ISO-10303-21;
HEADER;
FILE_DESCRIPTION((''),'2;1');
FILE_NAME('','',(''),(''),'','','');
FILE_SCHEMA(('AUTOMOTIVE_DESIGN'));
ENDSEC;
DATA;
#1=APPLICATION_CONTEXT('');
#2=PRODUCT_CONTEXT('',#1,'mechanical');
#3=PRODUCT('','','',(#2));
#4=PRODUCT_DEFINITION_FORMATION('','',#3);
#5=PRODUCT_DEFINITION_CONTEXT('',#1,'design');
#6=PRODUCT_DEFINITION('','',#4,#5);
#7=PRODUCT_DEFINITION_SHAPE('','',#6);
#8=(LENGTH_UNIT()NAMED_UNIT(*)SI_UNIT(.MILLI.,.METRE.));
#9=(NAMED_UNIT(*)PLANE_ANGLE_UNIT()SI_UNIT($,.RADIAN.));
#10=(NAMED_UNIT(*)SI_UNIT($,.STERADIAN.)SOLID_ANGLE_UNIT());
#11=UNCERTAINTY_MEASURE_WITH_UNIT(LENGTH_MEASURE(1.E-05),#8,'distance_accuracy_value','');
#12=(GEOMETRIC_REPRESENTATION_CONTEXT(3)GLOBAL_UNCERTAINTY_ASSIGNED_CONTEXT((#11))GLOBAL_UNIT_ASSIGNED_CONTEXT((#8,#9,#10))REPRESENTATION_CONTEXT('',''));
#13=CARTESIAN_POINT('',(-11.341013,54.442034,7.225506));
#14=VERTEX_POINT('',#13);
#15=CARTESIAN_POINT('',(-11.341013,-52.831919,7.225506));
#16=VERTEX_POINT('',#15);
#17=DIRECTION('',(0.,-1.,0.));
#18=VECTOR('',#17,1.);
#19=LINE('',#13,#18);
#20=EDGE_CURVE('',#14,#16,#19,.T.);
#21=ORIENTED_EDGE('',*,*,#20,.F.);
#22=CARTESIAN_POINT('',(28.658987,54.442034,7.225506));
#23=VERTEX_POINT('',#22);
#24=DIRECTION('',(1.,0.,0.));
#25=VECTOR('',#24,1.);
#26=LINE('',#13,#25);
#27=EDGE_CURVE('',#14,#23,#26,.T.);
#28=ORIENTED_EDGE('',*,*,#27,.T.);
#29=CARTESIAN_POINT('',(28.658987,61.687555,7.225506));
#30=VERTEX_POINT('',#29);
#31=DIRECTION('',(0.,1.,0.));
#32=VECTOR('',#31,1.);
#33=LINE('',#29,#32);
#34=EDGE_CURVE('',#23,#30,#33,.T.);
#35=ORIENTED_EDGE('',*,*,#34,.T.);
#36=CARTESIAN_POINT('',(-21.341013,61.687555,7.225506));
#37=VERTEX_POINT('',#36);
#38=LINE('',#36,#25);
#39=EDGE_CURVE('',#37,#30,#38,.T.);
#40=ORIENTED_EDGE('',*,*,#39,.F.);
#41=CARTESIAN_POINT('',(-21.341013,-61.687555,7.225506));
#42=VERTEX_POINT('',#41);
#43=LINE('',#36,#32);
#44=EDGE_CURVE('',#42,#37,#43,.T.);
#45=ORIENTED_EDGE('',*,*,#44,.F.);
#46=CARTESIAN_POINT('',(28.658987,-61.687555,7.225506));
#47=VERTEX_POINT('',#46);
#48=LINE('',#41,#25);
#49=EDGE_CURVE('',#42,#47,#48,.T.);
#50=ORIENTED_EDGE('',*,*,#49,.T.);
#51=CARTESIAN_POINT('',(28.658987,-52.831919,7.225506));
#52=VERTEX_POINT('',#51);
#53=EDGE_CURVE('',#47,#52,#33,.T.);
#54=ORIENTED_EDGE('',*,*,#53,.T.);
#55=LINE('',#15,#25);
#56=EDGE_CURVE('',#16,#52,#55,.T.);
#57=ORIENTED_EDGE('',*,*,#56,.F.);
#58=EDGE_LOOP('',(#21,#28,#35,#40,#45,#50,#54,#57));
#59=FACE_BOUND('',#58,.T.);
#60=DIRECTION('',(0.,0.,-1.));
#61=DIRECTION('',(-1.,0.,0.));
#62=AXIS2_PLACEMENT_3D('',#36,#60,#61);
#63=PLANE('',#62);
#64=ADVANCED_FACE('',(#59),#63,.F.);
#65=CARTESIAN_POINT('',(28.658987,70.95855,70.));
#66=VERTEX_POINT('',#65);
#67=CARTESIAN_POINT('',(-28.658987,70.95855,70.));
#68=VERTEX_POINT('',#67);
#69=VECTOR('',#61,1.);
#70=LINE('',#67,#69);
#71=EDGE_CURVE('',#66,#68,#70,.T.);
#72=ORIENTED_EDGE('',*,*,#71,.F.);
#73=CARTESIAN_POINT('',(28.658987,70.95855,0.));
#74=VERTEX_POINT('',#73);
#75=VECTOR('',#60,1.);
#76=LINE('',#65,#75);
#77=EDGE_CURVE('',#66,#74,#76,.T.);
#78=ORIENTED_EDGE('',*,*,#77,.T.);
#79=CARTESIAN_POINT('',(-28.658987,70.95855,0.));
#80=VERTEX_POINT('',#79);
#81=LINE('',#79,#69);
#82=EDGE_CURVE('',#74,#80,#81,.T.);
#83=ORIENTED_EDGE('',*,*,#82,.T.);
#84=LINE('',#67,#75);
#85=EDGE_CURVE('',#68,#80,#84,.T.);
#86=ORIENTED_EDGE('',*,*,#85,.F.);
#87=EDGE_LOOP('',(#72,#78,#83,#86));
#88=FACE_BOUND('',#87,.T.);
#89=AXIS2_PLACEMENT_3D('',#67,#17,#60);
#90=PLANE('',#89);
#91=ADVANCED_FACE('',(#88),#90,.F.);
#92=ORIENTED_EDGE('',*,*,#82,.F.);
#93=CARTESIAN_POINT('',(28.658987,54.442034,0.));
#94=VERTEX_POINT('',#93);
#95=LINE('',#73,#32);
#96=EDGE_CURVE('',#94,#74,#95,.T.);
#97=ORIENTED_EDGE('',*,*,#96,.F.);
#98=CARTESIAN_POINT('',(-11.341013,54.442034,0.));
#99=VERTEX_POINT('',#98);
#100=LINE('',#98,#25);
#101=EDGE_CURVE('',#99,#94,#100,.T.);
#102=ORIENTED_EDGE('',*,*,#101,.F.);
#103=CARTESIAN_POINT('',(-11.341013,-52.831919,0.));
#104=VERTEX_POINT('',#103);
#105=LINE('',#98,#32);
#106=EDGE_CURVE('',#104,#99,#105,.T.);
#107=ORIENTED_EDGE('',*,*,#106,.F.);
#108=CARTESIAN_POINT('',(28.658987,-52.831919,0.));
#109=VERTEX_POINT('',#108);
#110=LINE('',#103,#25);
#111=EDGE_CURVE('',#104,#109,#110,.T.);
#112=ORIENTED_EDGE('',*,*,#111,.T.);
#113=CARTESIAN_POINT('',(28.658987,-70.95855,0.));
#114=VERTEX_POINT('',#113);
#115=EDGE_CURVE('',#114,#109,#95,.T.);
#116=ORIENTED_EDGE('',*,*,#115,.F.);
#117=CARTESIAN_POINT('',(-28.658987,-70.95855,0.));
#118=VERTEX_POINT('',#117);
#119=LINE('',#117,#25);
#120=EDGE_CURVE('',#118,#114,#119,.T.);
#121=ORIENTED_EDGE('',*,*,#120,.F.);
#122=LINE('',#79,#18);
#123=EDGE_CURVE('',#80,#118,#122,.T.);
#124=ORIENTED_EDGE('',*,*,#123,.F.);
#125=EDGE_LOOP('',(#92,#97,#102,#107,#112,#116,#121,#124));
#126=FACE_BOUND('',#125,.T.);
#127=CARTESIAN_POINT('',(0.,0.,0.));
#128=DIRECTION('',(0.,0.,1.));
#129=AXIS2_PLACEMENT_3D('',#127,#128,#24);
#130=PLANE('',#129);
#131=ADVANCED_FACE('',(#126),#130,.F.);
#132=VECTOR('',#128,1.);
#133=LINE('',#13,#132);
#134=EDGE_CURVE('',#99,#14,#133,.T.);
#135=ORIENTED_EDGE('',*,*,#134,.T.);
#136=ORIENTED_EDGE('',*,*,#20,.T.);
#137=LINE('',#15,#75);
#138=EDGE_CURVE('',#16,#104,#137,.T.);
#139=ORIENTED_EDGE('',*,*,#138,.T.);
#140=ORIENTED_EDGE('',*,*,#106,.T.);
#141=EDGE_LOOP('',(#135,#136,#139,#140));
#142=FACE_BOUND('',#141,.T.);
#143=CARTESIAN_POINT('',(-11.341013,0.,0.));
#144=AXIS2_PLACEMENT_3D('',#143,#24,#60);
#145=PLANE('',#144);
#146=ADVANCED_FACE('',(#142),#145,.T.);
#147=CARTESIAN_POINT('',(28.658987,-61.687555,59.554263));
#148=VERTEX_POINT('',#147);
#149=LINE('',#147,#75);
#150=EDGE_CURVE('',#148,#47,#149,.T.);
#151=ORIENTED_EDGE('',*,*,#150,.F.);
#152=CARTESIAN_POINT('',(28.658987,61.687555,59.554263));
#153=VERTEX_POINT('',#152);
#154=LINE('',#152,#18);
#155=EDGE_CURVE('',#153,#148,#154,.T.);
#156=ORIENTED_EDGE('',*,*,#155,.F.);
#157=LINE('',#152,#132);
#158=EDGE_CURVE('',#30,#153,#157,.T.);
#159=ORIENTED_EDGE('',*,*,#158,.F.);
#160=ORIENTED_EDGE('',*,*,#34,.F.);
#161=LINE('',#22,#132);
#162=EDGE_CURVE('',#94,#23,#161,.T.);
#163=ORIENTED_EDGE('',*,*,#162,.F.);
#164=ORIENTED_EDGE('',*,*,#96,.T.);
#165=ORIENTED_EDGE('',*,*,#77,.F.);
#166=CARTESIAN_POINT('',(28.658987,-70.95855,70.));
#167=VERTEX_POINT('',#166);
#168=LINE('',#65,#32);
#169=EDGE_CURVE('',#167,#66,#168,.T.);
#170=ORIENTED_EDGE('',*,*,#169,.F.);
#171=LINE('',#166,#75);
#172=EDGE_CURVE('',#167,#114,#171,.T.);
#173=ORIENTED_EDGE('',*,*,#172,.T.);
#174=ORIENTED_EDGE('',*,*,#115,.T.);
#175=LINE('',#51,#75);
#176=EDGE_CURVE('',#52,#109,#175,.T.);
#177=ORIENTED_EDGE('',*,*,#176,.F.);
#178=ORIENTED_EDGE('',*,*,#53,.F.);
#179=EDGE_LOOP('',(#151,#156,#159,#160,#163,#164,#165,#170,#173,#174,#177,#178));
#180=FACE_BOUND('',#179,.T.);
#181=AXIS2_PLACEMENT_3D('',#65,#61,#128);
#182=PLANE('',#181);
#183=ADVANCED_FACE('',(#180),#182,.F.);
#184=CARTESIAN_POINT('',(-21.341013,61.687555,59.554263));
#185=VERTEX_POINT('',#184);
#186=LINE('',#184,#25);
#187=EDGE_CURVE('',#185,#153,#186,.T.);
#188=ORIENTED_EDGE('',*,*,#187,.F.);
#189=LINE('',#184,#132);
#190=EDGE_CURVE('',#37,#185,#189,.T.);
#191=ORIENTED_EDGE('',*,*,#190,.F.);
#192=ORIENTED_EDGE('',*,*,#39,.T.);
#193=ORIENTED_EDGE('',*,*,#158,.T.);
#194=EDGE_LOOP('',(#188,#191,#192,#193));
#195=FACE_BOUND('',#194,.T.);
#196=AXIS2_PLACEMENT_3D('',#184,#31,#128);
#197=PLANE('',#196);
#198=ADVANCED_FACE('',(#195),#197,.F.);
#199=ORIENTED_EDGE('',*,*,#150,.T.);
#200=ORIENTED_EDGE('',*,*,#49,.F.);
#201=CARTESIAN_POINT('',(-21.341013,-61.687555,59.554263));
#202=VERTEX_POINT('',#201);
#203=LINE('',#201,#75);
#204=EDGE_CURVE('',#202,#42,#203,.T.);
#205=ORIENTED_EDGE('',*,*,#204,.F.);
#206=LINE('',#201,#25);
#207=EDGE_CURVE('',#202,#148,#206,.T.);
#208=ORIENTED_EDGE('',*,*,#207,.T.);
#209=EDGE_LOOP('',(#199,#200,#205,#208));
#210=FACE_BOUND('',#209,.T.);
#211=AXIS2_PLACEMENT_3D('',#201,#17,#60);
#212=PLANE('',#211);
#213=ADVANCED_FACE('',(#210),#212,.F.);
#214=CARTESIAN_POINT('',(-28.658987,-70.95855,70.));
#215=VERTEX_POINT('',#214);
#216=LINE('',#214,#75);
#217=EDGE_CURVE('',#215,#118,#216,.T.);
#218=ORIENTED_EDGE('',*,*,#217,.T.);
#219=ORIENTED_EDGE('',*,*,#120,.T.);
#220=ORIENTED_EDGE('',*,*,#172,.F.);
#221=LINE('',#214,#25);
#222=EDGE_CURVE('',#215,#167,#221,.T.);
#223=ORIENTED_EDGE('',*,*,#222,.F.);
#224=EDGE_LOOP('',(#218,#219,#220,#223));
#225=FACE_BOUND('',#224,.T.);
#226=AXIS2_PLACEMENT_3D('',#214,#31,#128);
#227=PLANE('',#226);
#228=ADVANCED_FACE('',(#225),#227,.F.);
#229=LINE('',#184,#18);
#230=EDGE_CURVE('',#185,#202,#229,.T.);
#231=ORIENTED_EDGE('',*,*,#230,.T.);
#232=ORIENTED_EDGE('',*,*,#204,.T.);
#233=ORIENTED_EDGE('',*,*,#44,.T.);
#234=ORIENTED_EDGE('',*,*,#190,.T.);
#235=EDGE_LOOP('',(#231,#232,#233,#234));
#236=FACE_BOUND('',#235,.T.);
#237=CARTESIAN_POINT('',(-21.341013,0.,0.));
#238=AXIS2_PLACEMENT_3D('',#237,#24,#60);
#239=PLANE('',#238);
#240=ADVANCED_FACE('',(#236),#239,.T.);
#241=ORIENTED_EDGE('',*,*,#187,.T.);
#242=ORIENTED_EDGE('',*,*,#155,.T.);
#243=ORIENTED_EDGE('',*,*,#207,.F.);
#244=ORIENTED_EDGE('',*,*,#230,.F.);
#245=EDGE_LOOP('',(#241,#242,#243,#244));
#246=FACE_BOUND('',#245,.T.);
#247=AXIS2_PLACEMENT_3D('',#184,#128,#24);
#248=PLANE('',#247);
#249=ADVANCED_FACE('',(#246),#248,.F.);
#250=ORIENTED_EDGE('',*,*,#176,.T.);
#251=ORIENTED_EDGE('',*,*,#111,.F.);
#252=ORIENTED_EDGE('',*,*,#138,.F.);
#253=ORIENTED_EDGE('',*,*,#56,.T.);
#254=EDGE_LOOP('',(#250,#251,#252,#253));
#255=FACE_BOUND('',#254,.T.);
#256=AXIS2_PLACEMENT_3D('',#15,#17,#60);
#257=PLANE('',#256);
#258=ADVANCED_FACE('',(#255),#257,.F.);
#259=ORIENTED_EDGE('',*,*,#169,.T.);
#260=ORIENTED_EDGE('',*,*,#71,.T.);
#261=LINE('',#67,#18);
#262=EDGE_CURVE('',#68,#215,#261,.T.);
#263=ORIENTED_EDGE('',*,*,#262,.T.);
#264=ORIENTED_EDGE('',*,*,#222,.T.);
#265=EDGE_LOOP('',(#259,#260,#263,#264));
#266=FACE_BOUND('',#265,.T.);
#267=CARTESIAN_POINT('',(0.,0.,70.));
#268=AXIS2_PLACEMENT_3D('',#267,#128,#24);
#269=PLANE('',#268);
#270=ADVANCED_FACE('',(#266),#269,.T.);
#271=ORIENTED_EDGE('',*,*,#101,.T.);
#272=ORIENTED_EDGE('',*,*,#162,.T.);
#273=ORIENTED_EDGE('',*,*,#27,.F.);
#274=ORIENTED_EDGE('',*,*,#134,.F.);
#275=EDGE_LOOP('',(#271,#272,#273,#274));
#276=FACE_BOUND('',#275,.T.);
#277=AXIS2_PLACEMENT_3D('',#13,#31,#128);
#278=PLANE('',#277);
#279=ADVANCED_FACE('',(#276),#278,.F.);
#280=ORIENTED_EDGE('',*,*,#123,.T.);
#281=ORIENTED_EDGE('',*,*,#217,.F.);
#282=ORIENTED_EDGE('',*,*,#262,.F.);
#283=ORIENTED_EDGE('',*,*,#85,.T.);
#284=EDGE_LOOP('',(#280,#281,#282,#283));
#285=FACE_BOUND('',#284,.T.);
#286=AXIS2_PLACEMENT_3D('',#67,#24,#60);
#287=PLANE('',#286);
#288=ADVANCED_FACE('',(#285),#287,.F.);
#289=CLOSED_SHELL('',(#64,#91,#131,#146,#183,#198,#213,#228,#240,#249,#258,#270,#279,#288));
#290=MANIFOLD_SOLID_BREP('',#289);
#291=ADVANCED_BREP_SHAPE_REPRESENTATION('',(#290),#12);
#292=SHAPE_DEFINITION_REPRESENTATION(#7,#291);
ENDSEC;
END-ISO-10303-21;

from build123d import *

# Parameters (mm, degrees)
SKETCH_1_W          = 57.317974408
SKETCH_1_H          = 141.917100098
EXTRUDE_1_DEPTH     = 70
SKETCH_2_W          = 52.328757601
SKETCH_2_H          = 123.375109268
CUT_EXTRUDE_1_DEPTH = 50
SKETCH_3_W          = 7.225505581
SKETCH_3_H          = 107.273953083
CUT_EXTRUDE_2_DEPTH = 40


with BuildPart() as part:
    # Эскиз1 → Бобышка-Вытянуть1 (new body)
    with BuildSketch(Plane.XY):
        Rectangle(SKETCH_1_W, SKETCH_1_H)
    extrude(amount=EXTRUDE_1_DEPTH)

    # Эскиз2 → Вырез-Вытянуть1 (cut)
    with BuildSketch(Plane(origin=(28.658987204, 0, 0), x_dir=(0, 0, -1), z_dir=(1, 0, 0))):
        with Locations((-33.389884382, 0)):
            Rectangle(SKETCH_2_W, SKETCH_2_H)
    extrude(amount=-CUT_EXTRUDE_1_DEPTH, mode=Mode.SUBTRACT)

    # Эскиз3 → Вырез-Вытянуть2 (cut)
    with BuildSketch(Plane(origin=(28.658987204, 0, 0), x_dir=(0, 0, -1), z_dir=(1, 0, 0))):
        with Locations((-3.612752791, 0.805057809)):
            Rectangle(SKETCH_3_W, SKETCH_3_H)
    extrude(amount=-CUT_EXTRUDE_2_DEPTH, mode=Mode.SUBTRACT)


solid = part.part
